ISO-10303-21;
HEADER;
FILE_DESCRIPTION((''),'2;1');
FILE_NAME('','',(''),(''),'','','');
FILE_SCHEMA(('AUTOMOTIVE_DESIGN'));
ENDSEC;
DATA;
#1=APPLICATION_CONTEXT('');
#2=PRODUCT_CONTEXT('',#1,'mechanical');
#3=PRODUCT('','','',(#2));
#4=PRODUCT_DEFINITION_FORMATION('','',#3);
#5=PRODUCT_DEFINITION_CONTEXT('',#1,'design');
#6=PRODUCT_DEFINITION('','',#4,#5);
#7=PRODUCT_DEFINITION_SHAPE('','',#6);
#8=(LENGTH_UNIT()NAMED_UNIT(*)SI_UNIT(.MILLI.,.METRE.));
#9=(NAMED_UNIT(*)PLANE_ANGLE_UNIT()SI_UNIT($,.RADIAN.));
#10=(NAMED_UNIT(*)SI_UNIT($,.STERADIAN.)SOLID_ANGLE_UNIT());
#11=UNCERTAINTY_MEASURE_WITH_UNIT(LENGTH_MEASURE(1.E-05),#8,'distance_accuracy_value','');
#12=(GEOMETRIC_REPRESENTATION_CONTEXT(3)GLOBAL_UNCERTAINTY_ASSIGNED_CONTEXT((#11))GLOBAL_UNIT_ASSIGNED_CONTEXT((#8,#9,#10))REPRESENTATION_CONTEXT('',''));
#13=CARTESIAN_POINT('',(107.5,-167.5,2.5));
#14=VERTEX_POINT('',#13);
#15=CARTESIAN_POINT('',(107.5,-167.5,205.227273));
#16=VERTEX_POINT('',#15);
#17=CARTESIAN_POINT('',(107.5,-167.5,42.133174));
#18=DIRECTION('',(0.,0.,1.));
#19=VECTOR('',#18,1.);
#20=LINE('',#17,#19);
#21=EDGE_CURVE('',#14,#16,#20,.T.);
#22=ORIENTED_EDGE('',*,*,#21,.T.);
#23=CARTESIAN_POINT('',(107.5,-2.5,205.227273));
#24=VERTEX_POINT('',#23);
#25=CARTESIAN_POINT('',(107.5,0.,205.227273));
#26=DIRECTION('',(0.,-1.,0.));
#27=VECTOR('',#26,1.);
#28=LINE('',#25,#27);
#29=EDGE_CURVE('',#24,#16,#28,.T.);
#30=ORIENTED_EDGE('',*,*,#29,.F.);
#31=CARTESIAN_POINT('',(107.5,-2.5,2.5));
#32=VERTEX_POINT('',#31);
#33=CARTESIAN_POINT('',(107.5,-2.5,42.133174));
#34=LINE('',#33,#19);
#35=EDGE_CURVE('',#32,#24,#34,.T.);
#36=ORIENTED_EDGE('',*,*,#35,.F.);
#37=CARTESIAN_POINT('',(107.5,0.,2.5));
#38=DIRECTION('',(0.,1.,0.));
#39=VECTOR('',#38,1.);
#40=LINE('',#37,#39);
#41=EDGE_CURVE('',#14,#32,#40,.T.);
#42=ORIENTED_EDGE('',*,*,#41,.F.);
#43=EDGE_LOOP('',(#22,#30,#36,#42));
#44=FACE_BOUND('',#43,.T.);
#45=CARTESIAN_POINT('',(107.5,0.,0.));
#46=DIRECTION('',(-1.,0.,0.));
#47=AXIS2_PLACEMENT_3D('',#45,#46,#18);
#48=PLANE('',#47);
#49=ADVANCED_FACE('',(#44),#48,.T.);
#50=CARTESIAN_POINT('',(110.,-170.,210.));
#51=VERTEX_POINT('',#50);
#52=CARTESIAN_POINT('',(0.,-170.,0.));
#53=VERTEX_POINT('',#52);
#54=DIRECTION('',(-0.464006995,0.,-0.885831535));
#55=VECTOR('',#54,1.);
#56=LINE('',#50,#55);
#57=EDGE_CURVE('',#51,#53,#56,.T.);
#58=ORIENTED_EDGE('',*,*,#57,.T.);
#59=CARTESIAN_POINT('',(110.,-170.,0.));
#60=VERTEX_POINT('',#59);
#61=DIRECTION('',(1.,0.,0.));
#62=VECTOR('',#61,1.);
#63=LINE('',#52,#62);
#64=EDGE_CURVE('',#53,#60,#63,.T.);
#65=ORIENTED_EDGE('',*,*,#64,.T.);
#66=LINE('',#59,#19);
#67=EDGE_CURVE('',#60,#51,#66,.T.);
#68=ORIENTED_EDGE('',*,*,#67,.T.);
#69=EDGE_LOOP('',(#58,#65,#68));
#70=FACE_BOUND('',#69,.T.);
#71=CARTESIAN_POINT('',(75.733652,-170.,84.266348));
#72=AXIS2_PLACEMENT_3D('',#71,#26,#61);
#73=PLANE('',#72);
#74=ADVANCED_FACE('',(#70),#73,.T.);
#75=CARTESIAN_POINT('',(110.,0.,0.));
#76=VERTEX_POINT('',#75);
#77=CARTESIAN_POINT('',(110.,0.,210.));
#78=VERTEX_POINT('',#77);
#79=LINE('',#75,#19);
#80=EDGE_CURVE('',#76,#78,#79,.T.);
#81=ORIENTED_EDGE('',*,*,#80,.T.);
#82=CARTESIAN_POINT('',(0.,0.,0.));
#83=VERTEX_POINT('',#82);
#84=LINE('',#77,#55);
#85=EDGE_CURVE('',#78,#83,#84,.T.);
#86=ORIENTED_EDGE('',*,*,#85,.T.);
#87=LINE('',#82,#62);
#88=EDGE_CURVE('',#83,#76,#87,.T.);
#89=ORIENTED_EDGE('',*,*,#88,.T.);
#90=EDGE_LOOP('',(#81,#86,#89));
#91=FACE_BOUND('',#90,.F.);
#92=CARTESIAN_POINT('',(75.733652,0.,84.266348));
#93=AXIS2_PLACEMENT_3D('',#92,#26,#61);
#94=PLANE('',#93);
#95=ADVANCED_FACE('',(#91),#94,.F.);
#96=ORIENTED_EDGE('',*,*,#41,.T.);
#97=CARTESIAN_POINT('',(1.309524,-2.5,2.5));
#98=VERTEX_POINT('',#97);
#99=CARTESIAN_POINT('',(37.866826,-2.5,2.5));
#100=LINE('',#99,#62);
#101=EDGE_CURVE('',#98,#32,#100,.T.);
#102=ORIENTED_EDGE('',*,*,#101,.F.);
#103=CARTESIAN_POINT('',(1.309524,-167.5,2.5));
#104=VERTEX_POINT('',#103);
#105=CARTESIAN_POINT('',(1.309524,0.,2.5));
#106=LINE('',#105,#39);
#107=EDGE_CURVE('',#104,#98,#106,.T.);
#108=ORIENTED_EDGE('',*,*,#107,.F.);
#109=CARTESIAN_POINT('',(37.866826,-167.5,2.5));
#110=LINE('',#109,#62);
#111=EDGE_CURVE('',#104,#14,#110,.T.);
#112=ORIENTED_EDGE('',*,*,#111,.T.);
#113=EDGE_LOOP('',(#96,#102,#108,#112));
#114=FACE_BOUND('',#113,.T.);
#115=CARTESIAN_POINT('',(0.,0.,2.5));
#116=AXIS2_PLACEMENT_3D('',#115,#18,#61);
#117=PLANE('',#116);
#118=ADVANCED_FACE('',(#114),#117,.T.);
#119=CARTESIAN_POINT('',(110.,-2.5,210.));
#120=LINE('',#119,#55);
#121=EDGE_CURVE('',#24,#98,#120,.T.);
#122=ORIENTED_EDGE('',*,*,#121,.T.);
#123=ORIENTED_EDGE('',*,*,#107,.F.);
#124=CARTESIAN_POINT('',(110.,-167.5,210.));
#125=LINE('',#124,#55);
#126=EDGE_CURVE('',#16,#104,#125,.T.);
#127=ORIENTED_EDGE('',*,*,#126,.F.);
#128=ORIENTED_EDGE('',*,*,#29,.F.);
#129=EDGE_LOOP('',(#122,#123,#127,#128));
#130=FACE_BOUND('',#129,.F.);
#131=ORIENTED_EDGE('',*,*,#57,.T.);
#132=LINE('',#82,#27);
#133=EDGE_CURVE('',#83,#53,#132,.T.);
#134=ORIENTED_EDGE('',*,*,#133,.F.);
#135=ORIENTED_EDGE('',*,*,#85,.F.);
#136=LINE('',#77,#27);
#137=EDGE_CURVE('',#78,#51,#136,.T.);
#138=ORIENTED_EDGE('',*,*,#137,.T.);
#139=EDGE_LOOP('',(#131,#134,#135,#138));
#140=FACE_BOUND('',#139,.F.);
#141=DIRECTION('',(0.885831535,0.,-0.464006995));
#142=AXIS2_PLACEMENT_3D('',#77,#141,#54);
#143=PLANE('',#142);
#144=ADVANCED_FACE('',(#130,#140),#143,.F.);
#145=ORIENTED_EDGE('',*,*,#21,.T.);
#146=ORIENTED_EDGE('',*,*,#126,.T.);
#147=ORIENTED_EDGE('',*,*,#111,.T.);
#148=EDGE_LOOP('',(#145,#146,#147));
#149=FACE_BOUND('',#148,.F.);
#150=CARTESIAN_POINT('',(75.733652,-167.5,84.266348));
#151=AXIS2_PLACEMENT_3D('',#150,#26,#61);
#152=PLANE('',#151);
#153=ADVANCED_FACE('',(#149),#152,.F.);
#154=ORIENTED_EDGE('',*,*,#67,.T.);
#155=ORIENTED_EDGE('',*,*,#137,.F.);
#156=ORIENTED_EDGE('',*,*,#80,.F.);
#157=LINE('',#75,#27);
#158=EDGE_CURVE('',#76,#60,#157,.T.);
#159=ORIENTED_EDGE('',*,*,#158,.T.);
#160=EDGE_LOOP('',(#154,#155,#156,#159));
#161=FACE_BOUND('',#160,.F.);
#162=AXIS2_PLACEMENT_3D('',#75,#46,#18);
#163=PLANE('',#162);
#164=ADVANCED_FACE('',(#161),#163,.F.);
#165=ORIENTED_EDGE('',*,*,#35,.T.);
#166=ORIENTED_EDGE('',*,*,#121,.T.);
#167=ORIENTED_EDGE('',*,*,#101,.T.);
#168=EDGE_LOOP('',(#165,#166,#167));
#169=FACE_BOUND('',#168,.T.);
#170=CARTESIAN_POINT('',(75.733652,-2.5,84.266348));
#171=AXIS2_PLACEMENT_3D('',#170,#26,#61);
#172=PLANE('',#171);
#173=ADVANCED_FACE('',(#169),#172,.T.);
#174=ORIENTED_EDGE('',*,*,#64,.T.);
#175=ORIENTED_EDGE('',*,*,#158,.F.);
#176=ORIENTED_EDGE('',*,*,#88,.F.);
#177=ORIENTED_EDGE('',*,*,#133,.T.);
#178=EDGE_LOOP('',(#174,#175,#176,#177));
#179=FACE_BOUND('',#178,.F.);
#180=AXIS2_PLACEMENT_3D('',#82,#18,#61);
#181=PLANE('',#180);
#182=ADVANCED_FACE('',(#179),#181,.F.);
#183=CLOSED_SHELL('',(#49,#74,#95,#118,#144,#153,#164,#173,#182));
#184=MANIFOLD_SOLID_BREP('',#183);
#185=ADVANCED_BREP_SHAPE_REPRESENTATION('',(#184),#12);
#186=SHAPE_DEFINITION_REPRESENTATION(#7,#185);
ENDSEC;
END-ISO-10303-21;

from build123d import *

# Parameters (mm, degrees)
F1_DEPTH = 170
F2_T     = -2.5


with BuildPart() as f1:
    # F0 (on Front) → F1 (new body)
    with BuildSketch(Plane.XZ):
        Polygon((110, 210), (0, 0), (110, 0), align=None)
    extrude(amount=F1_DEPTH)

    # F2
    f2_openings = [f1.faces().sort_by_distance(p)[0] for p in [
        (55, -85, 105),
    ]]
    offset(amount=F2_T, openings=f2_openings)


solid = f1.part
